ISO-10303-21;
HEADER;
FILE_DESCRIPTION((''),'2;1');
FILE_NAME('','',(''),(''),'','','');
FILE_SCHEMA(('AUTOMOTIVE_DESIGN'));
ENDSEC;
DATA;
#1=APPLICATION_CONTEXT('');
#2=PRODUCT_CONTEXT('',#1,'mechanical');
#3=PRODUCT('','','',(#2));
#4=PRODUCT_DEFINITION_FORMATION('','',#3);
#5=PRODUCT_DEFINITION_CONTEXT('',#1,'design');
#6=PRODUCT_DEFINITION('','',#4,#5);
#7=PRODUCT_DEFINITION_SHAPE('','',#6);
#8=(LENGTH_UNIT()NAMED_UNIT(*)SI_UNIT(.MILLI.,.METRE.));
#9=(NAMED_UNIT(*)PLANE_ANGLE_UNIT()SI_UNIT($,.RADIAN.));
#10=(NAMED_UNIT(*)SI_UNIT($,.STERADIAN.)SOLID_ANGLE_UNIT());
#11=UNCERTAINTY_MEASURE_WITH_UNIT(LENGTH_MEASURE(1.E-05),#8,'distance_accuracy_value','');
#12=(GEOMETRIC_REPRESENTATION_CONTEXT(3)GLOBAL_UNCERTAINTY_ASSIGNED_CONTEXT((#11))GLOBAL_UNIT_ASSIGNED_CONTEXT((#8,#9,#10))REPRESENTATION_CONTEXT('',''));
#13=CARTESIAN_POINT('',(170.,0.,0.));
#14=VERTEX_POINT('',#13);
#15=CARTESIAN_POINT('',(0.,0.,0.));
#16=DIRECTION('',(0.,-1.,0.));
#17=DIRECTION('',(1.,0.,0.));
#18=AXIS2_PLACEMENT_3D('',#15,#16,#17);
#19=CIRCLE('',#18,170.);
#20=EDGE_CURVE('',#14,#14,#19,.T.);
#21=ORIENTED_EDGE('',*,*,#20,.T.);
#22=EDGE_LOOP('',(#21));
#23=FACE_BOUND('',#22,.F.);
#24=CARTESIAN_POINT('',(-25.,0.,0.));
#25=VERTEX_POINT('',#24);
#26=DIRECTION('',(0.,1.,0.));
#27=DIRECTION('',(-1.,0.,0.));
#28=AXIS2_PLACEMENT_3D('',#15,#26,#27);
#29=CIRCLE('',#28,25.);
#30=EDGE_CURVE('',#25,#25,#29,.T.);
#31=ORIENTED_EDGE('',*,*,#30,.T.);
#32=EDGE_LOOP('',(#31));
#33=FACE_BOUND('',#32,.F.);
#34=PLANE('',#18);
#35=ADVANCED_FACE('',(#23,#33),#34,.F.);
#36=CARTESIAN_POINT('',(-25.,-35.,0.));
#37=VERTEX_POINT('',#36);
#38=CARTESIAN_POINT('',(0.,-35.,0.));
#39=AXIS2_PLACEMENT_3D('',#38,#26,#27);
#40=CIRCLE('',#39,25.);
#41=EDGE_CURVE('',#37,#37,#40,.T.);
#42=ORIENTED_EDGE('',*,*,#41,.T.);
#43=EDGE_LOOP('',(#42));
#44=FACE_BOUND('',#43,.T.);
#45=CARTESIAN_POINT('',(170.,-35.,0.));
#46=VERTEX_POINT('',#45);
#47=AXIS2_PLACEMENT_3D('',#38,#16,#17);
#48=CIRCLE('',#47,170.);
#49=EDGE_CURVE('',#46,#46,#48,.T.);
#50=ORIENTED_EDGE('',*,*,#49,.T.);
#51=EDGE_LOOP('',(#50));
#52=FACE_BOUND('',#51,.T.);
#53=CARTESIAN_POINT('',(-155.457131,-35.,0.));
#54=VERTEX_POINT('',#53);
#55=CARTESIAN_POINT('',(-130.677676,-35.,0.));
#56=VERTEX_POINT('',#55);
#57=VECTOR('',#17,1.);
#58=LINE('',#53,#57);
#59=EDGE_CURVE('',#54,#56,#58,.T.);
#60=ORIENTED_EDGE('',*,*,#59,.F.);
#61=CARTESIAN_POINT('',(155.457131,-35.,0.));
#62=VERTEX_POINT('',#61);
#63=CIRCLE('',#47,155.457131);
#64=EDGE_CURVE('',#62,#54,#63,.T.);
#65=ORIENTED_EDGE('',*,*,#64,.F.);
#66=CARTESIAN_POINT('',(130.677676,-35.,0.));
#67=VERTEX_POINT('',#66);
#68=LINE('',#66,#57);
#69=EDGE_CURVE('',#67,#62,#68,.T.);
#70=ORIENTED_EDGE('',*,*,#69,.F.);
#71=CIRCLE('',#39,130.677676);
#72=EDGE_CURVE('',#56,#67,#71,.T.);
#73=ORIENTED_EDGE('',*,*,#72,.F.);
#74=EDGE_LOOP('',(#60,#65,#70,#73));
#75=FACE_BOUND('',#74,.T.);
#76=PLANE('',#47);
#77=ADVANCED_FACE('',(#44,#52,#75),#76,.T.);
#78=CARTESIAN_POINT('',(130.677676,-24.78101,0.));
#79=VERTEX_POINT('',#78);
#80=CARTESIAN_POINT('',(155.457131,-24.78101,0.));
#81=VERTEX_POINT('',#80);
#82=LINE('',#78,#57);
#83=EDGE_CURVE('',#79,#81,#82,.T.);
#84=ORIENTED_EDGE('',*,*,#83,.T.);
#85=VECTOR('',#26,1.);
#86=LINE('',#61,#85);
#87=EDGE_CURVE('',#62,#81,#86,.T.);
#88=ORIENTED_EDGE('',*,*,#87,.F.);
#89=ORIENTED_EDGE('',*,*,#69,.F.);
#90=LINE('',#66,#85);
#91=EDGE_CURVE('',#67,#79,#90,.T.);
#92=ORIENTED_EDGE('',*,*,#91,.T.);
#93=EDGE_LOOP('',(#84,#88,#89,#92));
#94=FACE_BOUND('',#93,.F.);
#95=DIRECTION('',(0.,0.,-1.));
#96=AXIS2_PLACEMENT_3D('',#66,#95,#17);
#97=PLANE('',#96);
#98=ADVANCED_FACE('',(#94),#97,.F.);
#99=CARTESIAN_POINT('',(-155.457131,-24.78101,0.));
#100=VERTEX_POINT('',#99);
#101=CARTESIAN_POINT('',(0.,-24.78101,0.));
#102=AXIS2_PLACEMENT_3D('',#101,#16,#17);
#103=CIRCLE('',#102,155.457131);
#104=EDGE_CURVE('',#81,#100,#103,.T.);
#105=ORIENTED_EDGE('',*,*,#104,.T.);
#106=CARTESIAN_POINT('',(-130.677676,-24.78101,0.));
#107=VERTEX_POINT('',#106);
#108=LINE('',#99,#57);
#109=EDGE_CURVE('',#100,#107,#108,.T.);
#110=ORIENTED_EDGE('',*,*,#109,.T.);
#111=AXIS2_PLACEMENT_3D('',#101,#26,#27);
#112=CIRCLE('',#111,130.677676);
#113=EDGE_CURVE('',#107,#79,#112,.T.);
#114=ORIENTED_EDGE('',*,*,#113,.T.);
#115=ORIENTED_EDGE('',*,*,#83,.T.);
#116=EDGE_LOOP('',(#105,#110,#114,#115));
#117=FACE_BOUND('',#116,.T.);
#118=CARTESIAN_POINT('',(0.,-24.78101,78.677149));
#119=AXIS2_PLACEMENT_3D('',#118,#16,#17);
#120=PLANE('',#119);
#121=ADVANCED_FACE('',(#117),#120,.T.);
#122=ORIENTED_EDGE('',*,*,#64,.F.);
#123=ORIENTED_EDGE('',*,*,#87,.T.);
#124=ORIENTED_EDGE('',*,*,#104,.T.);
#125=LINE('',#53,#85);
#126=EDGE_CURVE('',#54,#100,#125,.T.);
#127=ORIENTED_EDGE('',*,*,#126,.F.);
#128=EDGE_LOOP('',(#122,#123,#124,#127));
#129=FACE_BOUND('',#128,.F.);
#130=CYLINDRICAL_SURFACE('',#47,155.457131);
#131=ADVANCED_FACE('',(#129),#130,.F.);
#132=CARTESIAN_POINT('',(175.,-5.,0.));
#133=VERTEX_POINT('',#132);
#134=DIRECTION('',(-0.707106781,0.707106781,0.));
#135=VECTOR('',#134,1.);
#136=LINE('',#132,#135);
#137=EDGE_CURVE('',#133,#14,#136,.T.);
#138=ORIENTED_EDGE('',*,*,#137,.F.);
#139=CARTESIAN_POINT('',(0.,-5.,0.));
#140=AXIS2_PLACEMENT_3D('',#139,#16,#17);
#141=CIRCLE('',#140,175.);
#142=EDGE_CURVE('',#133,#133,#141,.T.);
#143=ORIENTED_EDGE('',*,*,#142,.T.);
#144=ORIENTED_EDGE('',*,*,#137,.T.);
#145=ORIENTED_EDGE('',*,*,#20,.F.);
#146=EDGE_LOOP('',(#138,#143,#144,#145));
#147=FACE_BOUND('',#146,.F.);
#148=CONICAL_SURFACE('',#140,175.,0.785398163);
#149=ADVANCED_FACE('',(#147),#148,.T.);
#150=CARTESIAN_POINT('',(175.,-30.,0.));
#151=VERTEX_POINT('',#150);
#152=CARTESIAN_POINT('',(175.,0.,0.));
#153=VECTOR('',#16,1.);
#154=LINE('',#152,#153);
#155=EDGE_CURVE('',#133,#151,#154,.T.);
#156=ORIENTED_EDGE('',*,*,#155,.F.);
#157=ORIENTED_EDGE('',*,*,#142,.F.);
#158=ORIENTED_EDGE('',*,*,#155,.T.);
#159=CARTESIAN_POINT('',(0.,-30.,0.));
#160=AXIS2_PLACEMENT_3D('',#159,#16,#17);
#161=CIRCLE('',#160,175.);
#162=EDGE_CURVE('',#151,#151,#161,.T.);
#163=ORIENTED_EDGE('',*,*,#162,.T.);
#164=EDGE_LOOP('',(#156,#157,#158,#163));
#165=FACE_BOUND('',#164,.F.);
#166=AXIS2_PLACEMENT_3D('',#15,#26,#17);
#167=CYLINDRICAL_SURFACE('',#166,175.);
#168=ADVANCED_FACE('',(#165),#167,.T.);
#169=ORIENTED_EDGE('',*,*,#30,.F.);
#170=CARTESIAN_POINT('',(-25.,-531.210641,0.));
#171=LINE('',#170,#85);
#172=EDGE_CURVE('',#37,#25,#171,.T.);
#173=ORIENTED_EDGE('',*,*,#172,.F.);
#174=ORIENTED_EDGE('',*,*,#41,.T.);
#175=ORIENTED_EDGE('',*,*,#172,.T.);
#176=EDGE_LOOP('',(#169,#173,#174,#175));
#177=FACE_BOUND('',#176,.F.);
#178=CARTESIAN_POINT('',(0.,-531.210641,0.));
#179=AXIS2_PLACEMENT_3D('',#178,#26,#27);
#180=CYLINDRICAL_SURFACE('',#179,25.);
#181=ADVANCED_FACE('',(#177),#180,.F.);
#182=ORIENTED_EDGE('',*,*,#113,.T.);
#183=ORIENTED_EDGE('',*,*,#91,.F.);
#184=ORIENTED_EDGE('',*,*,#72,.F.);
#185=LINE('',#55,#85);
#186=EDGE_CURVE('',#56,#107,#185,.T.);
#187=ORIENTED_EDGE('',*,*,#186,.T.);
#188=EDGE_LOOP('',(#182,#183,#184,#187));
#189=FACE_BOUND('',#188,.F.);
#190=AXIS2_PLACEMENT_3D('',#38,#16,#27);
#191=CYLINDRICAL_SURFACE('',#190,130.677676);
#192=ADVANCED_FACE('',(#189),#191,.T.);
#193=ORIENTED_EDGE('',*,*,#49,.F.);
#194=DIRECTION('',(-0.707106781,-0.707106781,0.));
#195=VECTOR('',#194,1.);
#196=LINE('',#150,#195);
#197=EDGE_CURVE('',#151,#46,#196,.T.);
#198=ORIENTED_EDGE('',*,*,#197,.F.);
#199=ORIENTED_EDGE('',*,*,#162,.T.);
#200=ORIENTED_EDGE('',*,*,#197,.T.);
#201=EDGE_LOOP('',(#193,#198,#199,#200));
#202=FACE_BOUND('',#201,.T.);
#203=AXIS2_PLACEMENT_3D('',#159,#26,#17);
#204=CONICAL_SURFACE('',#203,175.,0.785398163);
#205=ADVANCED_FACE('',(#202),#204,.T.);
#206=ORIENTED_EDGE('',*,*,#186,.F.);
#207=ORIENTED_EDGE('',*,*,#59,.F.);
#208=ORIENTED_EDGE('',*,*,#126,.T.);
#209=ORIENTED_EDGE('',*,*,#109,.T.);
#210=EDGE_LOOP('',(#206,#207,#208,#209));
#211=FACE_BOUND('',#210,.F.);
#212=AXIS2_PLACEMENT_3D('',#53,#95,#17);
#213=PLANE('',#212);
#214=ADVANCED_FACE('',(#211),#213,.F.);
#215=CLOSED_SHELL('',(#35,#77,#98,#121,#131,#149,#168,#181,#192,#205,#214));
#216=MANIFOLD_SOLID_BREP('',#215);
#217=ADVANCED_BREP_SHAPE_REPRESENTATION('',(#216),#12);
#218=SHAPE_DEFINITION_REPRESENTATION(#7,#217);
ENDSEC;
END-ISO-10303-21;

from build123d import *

# Parameters (mm, degrees)
F0_R     = 175
F1_DEPTH = 35
F3_D     = 50
F4_SIZE  = 5
F6_DEPTH = 10.21899


with BuildPart() as f1:
    # F0 (on Front) → F1 (new body)
    with BuildSketch(Plane.XZ):
        Circle(F0_R)
    extrude(amount=F1_DEPTH)

    # F3 (through all)
    with Locations(Plane.XZ.offset(35)):
        with Locations((0, 0)):
            Hole(F3_D / 2)

    # F4
    f4_edges = [f1.edges().sort_by_distance(p)[0] for p in [
        (-175, -35, 0),
        (-175, 0, 0),
    ]]
    chamfer(f4_edges, length=F4_SIZE)

    # F5 (on face) → F6 (cut)
    with BuildSketch(Plane.XZ.offset(35)):
        with BuildLine():
            Line((-155.457131, 0), (-130.677676, 0))
            ThreePointArc((-130.677676, 0), (0, 130.677676), (130.677676, 0))
            Line((130.677676, 0), (155.457131, 0))
            ThreePointArc((155.457131, 0), (0, 155.457131), (-155.457131, 0))
        make_face()
    extrude(amount=-F6_DEPTH, mode=Mode.SUBTRACT)


solid = f1.part
